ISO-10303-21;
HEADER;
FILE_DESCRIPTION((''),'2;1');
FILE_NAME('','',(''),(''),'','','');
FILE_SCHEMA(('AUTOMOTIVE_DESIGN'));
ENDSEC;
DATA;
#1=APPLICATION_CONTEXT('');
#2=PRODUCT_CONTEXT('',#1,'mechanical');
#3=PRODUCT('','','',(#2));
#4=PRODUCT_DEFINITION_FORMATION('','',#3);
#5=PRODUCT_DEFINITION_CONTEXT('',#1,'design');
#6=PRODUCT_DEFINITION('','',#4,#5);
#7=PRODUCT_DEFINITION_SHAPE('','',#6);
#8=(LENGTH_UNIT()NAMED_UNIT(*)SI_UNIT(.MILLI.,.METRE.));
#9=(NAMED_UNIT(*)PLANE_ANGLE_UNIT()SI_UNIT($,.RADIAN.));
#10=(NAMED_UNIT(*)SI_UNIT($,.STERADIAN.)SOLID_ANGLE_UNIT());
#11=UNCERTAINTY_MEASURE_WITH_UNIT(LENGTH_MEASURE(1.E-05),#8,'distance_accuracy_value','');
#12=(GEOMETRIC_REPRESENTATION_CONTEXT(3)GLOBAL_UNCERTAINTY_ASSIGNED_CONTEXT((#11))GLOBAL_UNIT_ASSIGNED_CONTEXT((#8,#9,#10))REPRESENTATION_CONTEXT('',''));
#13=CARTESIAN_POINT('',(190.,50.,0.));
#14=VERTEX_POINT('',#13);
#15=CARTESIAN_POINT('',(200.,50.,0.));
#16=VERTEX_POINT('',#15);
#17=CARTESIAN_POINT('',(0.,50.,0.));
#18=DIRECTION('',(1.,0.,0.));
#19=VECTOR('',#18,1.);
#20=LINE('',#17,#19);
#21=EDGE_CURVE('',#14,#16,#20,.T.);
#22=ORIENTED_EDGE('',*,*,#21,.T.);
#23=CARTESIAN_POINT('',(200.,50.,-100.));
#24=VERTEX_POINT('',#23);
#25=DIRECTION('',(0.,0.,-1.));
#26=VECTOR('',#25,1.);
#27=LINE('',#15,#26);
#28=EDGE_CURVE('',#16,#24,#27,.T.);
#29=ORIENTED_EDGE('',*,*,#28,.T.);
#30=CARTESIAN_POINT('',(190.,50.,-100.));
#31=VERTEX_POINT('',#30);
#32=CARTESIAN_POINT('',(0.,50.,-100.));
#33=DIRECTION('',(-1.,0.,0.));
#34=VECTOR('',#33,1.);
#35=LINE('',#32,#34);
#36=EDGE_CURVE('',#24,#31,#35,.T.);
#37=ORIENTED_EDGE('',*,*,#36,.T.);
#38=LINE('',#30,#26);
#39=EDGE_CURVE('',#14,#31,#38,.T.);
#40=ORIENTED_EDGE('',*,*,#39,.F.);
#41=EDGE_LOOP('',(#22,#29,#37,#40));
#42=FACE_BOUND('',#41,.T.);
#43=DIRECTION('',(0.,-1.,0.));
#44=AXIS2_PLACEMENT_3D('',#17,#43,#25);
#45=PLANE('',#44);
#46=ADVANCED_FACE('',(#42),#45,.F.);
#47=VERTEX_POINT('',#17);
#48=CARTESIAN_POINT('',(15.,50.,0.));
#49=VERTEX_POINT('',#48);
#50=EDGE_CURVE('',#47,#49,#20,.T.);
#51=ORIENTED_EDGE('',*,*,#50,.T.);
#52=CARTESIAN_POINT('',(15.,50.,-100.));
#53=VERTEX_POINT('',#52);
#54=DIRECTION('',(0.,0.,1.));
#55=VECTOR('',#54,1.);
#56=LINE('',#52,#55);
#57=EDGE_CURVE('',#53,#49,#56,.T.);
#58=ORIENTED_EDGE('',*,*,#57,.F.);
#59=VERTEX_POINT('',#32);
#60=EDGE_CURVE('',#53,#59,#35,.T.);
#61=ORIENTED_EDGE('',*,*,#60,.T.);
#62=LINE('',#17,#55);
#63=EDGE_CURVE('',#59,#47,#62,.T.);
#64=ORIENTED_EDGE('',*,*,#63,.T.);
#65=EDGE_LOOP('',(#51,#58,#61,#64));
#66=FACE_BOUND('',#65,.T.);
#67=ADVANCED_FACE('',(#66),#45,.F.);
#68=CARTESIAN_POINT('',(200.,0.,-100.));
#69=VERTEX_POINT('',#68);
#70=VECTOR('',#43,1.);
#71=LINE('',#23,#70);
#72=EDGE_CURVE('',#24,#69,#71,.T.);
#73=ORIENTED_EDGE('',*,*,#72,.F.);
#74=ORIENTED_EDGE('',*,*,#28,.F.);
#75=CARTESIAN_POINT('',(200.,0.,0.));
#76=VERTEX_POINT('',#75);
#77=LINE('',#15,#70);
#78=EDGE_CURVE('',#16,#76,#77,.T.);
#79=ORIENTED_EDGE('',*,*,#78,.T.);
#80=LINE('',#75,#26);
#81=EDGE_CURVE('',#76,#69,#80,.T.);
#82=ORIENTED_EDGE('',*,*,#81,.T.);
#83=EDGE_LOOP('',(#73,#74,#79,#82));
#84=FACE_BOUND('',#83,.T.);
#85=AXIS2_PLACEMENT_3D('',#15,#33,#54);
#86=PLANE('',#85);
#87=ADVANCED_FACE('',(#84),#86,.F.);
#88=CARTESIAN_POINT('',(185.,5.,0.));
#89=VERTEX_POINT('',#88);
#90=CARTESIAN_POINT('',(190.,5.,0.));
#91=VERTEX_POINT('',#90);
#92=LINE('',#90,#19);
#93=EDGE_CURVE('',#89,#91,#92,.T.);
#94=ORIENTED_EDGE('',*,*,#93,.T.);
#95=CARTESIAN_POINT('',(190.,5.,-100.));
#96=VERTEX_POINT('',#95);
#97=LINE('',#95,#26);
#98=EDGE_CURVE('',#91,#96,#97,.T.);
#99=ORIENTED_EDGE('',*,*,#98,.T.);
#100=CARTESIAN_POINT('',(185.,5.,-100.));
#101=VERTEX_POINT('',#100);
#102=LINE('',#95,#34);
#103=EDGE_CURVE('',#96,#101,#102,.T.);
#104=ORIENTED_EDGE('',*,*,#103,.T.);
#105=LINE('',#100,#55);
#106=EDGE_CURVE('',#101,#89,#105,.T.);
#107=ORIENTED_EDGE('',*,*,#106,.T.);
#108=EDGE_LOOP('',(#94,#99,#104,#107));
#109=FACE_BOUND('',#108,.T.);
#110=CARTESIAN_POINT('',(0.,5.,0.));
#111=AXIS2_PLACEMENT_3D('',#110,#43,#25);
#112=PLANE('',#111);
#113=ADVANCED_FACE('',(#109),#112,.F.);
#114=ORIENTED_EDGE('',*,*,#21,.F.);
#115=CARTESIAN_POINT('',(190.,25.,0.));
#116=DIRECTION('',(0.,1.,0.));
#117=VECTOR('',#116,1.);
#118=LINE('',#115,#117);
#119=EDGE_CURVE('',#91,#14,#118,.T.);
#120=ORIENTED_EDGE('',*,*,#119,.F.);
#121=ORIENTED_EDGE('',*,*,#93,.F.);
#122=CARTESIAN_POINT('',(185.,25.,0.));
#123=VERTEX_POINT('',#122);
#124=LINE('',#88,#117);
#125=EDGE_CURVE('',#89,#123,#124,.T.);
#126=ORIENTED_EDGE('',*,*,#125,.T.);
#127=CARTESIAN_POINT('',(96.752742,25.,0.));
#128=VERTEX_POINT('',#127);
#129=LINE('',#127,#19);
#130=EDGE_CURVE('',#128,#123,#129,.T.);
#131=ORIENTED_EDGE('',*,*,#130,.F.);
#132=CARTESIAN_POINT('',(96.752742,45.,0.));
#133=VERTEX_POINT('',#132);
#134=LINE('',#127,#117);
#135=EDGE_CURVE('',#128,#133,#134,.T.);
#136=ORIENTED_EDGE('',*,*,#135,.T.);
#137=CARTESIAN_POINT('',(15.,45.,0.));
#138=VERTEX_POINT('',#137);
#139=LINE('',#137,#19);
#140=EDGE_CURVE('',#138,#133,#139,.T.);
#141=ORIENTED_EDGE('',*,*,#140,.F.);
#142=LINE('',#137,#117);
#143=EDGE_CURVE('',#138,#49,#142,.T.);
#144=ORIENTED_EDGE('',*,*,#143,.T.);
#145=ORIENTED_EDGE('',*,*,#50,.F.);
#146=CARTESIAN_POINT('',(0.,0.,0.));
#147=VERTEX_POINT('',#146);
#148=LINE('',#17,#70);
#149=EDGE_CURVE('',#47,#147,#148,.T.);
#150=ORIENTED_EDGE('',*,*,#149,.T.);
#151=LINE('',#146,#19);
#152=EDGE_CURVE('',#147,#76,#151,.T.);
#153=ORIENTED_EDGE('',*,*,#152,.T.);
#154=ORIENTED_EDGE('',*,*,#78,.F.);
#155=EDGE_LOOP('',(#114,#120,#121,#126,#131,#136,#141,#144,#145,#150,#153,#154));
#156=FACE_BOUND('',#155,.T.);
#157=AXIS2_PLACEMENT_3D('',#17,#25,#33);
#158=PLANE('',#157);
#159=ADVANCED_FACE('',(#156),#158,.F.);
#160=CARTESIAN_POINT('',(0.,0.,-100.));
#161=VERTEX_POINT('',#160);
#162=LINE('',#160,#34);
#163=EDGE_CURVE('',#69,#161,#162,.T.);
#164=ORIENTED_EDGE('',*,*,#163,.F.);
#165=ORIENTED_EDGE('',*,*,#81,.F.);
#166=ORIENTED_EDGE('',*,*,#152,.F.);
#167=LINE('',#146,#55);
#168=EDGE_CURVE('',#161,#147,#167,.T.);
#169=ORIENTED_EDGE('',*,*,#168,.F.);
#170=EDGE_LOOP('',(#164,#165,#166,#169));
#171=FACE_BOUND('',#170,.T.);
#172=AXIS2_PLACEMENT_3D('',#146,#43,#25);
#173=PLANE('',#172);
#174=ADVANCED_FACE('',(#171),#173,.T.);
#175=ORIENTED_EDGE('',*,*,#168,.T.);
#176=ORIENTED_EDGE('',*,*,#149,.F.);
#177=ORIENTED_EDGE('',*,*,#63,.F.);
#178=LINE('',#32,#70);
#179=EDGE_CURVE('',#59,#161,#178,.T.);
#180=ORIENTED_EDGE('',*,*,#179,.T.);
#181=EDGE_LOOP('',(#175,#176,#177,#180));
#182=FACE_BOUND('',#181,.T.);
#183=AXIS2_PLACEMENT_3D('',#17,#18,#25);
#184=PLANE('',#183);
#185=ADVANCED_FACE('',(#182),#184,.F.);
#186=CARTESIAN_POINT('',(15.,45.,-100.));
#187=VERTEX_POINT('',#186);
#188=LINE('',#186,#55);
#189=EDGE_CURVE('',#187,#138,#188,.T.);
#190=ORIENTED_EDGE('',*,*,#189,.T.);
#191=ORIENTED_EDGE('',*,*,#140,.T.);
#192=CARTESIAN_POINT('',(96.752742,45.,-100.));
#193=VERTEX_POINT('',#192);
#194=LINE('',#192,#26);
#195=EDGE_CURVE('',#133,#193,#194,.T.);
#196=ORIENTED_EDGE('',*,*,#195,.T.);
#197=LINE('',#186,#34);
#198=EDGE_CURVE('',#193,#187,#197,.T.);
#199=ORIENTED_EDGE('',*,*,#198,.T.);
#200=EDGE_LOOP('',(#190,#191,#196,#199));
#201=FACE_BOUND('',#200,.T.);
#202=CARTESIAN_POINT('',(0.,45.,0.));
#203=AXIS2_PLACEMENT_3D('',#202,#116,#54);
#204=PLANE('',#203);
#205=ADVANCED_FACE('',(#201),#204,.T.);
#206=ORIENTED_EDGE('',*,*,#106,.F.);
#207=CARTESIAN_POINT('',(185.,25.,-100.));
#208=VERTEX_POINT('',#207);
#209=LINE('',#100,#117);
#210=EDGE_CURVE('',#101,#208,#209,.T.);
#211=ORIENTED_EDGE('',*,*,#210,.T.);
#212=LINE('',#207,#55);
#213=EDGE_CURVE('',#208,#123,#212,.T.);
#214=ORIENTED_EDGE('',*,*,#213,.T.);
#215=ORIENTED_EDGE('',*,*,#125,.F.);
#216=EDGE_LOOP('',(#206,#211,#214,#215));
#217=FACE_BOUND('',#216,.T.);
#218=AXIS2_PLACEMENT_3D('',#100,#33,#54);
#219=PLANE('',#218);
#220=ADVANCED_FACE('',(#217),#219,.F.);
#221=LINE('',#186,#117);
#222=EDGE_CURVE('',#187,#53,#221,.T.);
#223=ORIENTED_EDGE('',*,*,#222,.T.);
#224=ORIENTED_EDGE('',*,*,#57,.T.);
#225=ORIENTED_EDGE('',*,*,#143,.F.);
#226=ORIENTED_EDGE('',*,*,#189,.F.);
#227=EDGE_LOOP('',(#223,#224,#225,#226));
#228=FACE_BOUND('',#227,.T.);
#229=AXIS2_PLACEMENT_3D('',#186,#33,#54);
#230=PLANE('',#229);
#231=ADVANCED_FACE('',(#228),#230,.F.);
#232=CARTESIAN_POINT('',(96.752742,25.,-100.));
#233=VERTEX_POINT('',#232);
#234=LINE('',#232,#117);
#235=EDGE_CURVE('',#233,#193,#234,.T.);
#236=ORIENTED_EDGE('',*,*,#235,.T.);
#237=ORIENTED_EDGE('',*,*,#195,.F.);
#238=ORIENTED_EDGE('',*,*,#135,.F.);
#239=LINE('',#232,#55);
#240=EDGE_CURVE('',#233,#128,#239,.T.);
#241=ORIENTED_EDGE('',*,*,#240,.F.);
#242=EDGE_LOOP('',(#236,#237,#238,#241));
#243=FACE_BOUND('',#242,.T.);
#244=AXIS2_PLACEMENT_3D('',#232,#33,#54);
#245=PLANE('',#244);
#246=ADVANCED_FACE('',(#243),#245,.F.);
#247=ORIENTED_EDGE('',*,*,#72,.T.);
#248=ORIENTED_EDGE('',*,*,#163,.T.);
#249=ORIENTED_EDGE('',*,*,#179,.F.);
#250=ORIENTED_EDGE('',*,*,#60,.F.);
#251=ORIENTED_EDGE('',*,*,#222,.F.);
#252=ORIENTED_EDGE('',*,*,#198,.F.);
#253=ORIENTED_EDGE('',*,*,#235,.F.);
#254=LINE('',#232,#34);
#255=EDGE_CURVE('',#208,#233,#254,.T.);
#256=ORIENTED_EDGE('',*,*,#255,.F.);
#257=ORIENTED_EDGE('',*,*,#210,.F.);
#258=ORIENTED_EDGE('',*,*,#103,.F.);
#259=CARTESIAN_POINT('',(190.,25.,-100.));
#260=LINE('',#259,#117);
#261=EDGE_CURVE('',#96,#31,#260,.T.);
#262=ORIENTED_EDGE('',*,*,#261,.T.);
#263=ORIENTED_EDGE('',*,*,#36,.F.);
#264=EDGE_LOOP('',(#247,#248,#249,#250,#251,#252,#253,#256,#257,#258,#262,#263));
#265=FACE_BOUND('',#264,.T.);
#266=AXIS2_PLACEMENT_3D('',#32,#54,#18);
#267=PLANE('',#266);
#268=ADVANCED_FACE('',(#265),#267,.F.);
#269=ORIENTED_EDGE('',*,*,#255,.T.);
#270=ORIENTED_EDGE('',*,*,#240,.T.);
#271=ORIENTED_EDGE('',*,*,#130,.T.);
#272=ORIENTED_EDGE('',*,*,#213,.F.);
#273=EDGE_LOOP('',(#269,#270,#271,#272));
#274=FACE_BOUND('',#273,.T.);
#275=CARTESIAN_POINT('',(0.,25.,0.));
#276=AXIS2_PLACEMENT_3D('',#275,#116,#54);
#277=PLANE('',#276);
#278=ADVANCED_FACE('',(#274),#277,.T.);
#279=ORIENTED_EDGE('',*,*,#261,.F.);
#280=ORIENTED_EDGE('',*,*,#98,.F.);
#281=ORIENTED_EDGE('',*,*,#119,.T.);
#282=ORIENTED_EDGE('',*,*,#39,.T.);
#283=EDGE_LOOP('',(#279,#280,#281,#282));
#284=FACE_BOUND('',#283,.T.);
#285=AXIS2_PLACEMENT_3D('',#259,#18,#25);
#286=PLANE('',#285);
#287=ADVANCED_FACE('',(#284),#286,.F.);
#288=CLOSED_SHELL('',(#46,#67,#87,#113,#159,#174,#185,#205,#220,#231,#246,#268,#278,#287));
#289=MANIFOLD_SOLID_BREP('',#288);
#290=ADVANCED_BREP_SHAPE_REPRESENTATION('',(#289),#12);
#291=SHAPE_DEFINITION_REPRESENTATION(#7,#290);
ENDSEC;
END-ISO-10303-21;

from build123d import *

# Parameters (mm, degrees)
SKETCH_1_W          = 200
SKETCH_1_H          = 100
EXTRUDE_1_DEPTH     = 50
SKETCH_2_W          = 81.752741681
SKETCH_2_H          = 100
CUT_EXTRUDE_1_DEPTH = 5
SKETCH_3_W          = 93.247258319
SKETCH_3_H          = 100
CUT_EXTRUDE_2_DEPTH = 25
SKETCH_4_W          = 5
SKETCH_4_H          = 100
CUT_EXTRUDE_3_DEPTH = 20


with BuildPart() as part:
    # 草图1 → 凸台-拉伸1 (new body)
    with BuildSketch(Plane(origin=(0, 0, 0), x_dir=(1, 0, 0), z_dir=(0, 1, 0))):
        with Locations((100, 50)):
            Rectangle(SKETCH_1_W, SKETCH_1_H)
    extrude(amount=EXTRUDE_1_DEPTH)

    # 草图2 → 切除-拉伸1 (cut)
    with BuildSketch(Plane(origin=(0, 50, 0), x_dir=(1, 0, 0), z_dir=(0, 1, 0))):
        with Locations((55.876370841, 50)):
            Rectangle(SKETCH_2_W, SKETCH_2_H)
    extrude(amount=-CUT_EXTRUDE_1_DEPTH, mode=Mode.SUBTRACT)

    # 草图3 → 切除-拉伸2 (cut)
    with BuildSketch(Plane(origin=(0, 50, 0), x_dir=(1, 0, 0), z_dir=(0, 1, 0))):
        with Locations((143.37637084, 50)):
            Rectangle(SKETCH_3_W, SKETCH_3_H)
    extrude(amount=-CUT_EXTRUDE_2_DEPTH, mode=Mode.SUBTRACT)

    # 草图4 → 切除-拉伸3 (cut)
    with BuildSketch(Plane(origin=(0, 25, 0), x_dir=(1, 0, 0), z_dir=(0, 1, 0))):
        with Locations((187.5, 50)):
            Rectangle(SKETCH_4_W, SKETCH_4_H)
    extrude(amount=-CUT_EXTRUDE_3_DEPTH, mode=Mode.SUBTRACT)


solid = part.part
